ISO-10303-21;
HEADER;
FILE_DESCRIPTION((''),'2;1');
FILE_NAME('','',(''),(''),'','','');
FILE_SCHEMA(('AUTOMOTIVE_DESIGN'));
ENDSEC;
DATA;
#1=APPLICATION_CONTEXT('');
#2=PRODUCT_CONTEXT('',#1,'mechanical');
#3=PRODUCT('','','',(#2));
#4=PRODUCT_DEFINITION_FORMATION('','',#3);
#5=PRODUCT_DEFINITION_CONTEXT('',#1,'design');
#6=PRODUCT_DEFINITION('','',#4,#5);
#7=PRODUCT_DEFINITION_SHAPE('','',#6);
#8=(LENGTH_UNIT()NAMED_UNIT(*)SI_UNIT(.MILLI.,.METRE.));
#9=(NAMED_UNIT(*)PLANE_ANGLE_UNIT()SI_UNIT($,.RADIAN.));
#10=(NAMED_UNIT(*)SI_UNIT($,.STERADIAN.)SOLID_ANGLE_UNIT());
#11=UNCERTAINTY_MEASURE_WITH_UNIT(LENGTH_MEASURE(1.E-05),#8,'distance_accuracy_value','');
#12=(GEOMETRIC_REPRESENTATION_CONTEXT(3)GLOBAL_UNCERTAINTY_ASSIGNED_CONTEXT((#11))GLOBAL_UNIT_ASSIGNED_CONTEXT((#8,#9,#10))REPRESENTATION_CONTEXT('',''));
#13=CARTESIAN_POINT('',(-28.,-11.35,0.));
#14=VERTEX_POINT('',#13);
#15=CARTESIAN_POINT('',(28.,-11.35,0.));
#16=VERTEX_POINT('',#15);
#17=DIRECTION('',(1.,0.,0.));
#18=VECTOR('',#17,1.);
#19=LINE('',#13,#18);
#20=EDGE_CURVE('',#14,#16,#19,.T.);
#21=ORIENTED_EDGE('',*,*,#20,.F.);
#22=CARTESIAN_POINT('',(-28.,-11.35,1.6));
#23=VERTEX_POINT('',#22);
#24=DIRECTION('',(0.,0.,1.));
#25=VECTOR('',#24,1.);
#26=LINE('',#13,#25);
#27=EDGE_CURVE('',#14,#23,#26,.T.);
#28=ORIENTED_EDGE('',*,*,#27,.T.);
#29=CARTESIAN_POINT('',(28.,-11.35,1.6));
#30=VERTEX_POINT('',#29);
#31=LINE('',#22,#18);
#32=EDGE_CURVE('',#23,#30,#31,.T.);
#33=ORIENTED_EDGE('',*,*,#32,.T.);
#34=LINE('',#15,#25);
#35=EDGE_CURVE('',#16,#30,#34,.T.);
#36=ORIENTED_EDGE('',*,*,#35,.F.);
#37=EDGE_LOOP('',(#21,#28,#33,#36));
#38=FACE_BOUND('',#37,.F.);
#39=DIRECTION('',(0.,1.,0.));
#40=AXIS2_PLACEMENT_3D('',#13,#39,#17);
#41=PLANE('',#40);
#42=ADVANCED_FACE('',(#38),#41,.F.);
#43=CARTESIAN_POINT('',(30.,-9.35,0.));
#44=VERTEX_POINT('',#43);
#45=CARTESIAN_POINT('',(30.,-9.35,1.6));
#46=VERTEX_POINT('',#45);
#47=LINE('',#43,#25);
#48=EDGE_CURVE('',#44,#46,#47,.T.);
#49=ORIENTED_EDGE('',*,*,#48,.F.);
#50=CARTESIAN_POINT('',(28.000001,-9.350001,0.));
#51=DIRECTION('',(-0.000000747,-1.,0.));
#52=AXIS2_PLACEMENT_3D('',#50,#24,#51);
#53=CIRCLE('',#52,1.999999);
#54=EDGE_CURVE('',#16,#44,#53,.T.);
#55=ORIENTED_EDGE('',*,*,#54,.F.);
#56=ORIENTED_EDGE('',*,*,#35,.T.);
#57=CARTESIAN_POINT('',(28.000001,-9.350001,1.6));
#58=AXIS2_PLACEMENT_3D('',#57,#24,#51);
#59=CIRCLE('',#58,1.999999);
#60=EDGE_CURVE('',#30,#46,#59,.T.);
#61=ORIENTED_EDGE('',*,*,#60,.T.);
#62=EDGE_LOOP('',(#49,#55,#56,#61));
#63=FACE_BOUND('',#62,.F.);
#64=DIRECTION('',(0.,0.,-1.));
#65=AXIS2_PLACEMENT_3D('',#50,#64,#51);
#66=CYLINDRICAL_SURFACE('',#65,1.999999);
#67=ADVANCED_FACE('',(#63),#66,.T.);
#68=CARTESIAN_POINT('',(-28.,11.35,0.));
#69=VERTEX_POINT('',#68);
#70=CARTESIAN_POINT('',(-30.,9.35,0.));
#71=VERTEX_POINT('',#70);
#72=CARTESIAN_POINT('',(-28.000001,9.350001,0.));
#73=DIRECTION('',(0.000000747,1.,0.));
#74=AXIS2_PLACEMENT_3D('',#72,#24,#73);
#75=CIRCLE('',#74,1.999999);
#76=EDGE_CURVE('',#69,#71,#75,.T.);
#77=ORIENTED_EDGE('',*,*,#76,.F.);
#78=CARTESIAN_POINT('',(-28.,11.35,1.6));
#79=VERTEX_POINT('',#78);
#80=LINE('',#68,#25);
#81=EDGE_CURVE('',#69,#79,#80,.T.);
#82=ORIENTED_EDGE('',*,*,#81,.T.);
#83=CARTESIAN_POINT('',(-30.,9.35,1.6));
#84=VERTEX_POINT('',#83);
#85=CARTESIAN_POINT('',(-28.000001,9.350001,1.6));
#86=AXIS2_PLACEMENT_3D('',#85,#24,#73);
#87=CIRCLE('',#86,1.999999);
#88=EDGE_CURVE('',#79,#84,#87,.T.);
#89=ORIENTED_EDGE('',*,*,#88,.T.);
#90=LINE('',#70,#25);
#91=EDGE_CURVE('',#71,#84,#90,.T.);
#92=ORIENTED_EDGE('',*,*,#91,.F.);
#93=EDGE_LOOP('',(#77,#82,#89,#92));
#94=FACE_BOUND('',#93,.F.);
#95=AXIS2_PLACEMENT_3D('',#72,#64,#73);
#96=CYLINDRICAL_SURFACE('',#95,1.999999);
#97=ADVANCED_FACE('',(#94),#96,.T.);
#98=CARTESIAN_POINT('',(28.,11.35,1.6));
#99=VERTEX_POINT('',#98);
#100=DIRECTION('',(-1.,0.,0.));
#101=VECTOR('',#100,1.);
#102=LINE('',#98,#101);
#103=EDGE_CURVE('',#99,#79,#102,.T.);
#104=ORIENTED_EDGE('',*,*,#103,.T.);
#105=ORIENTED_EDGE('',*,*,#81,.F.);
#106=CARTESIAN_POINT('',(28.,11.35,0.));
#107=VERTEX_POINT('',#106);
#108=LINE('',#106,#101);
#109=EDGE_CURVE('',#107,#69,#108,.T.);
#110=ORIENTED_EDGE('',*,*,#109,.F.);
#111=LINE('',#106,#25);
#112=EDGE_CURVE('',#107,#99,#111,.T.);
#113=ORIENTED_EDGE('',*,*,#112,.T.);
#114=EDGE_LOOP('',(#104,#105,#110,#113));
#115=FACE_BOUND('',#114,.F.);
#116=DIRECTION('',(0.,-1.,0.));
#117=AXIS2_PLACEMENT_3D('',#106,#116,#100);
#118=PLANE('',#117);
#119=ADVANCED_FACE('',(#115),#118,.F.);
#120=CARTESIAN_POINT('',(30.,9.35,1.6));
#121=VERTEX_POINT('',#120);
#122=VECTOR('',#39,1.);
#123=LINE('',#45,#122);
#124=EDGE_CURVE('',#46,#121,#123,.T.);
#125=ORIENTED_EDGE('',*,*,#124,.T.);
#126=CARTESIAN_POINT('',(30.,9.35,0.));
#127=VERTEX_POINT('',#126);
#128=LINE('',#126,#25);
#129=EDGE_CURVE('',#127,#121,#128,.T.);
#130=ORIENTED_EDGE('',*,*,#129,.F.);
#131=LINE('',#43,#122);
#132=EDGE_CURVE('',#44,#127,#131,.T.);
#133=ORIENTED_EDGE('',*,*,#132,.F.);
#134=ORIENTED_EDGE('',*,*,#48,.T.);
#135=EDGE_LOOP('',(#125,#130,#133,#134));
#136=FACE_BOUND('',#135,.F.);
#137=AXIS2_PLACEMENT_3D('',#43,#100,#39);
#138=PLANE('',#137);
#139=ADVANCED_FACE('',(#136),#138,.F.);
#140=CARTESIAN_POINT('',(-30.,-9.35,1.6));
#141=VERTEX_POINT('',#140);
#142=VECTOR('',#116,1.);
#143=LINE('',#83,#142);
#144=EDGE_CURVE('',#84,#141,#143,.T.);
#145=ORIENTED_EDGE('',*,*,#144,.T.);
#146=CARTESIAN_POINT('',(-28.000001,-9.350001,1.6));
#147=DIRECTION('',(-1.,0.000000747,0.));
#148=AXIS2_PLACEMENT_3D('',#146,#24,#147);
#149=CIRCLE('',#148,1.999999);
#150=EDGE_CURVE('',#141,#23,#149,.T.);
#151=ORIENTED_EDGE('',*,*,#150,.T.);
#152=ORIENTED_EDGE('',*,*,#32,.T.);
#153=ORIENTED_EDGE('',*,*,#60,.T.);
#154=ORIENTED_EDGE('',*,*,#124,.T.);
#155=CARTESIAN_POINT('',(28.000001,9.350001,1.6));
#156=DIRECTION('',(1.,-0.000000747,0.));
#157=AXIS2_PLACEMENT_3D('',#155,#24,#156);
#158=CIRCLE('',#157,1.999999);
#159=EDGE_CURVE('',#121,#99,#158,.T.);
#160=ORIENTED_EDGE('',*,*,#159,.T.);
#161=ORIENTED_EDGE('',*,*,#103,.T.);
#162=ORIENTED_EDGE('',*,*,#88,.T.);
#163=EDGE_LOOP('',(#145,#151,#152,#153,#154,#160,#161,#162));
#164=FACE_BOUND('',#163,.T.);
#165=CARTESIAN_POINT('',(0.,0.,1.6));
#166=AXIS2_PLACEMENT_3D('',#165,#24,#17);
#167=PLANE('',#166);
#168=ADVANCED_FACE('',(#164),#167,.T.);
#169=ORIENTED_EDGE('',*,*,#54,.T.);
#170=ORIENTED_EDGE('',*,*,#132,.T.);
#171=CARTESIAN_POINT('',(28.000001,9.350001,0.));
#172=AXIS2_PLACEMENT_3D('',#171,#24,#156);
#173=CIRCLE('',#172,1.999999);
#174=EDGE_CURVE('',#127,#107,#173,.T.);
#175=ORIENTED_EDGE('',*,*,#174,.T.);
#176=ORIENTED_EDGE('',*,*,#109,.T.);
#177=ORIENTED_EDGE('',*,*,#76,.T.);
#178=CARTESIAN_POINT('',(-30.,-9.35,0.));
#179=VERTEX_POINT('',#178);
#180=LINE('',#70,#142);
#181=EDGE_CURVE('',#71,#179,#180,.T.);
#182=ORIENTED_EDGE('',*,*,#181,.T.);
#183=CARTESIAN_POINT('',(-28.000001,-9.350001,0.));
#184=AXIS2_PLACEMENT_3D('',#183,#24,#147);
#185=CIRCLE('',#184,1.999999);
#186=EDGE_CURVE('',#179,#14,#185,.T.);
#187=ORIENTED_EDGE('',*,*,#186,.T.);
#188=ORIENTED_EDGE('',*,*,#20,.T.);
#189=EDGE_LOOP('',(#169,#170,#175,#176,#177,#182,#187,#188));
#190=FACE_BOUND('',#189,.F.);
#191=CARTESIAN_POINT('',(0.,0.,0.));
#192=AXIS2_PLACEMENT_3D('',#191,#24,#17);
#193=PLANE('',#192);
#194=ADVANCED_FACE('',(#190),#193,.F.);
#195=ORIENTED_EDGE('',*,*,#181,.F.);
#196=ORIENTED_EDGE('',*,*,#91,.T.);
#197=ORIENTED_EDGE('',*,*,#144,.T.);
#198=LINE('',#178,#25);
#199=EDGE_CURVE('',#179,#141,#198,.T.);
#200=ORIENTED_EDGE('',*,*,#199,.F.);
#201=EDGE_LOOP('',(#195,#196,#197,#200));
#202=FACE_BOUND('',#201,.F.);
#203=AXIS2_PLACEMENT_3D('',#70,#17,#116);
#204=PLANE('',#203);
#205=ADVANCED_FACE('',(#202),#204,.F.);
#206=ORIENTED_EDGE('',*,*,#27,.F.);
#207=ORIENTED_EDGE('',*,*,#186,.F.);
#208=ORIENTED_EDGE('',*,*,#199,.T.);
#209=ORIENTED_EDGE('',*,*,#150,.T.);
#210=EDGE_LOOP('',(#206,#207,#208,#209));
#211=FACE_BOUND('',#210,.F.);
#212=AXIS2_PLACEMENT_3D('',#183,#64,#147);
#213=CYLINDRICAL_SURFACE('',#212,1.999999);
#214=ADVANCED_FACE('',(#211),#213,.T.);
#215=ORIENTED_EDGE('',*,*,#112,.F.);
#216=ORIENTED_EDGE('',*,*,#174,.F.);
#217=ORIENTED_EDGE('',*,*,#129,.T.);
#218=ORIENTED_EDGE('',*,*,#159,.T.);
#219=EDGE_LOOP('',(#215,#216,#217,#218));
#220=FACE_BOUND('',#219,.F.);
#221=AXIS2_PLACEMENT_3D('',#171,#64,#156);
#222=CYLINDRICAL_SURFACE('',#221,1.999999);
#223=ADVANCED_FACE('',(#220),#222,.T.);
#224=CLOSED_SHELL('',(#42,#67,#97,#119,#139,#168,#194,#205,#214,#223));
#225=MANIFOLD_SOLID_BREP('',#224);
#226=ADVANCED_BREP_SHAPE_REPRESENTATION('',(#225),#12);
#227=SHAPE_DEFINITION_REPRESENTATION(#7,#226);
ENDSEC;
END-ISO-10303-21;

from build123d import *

# Parameters (mm, degrees)
PAD_DEPTH = 1.6


with BuildPart() as part:
    # Sketch → Pad (new body)
    with BuildSketch(Plane.XY):
        with BuildLine():
            Line((-30, 9.35), (-30, -9.35))
            ThreePointArc((-30, -9.35), (-29.414214, -10.764214), (-28, -11.35))
            Line((-28, -11.35), (28, -11.35))
            ThreePointArc((28, -11.35), (29.414214, -10.764214), (30, -9.35))
            Line((30, -9.35), (30, 9.35))
            ThreePointArc((30, 9.35), (29.414214, 10.764214), (28, 11.35))
            Line((28, 11.35), (-28, 11.35))
            ThreePointArc((-28, 11.35), (-29.414214, 10.764214), (-30, 9.35))
        make_face()
    extrude(amount=PAD_DEPTH)


solid = part.part
